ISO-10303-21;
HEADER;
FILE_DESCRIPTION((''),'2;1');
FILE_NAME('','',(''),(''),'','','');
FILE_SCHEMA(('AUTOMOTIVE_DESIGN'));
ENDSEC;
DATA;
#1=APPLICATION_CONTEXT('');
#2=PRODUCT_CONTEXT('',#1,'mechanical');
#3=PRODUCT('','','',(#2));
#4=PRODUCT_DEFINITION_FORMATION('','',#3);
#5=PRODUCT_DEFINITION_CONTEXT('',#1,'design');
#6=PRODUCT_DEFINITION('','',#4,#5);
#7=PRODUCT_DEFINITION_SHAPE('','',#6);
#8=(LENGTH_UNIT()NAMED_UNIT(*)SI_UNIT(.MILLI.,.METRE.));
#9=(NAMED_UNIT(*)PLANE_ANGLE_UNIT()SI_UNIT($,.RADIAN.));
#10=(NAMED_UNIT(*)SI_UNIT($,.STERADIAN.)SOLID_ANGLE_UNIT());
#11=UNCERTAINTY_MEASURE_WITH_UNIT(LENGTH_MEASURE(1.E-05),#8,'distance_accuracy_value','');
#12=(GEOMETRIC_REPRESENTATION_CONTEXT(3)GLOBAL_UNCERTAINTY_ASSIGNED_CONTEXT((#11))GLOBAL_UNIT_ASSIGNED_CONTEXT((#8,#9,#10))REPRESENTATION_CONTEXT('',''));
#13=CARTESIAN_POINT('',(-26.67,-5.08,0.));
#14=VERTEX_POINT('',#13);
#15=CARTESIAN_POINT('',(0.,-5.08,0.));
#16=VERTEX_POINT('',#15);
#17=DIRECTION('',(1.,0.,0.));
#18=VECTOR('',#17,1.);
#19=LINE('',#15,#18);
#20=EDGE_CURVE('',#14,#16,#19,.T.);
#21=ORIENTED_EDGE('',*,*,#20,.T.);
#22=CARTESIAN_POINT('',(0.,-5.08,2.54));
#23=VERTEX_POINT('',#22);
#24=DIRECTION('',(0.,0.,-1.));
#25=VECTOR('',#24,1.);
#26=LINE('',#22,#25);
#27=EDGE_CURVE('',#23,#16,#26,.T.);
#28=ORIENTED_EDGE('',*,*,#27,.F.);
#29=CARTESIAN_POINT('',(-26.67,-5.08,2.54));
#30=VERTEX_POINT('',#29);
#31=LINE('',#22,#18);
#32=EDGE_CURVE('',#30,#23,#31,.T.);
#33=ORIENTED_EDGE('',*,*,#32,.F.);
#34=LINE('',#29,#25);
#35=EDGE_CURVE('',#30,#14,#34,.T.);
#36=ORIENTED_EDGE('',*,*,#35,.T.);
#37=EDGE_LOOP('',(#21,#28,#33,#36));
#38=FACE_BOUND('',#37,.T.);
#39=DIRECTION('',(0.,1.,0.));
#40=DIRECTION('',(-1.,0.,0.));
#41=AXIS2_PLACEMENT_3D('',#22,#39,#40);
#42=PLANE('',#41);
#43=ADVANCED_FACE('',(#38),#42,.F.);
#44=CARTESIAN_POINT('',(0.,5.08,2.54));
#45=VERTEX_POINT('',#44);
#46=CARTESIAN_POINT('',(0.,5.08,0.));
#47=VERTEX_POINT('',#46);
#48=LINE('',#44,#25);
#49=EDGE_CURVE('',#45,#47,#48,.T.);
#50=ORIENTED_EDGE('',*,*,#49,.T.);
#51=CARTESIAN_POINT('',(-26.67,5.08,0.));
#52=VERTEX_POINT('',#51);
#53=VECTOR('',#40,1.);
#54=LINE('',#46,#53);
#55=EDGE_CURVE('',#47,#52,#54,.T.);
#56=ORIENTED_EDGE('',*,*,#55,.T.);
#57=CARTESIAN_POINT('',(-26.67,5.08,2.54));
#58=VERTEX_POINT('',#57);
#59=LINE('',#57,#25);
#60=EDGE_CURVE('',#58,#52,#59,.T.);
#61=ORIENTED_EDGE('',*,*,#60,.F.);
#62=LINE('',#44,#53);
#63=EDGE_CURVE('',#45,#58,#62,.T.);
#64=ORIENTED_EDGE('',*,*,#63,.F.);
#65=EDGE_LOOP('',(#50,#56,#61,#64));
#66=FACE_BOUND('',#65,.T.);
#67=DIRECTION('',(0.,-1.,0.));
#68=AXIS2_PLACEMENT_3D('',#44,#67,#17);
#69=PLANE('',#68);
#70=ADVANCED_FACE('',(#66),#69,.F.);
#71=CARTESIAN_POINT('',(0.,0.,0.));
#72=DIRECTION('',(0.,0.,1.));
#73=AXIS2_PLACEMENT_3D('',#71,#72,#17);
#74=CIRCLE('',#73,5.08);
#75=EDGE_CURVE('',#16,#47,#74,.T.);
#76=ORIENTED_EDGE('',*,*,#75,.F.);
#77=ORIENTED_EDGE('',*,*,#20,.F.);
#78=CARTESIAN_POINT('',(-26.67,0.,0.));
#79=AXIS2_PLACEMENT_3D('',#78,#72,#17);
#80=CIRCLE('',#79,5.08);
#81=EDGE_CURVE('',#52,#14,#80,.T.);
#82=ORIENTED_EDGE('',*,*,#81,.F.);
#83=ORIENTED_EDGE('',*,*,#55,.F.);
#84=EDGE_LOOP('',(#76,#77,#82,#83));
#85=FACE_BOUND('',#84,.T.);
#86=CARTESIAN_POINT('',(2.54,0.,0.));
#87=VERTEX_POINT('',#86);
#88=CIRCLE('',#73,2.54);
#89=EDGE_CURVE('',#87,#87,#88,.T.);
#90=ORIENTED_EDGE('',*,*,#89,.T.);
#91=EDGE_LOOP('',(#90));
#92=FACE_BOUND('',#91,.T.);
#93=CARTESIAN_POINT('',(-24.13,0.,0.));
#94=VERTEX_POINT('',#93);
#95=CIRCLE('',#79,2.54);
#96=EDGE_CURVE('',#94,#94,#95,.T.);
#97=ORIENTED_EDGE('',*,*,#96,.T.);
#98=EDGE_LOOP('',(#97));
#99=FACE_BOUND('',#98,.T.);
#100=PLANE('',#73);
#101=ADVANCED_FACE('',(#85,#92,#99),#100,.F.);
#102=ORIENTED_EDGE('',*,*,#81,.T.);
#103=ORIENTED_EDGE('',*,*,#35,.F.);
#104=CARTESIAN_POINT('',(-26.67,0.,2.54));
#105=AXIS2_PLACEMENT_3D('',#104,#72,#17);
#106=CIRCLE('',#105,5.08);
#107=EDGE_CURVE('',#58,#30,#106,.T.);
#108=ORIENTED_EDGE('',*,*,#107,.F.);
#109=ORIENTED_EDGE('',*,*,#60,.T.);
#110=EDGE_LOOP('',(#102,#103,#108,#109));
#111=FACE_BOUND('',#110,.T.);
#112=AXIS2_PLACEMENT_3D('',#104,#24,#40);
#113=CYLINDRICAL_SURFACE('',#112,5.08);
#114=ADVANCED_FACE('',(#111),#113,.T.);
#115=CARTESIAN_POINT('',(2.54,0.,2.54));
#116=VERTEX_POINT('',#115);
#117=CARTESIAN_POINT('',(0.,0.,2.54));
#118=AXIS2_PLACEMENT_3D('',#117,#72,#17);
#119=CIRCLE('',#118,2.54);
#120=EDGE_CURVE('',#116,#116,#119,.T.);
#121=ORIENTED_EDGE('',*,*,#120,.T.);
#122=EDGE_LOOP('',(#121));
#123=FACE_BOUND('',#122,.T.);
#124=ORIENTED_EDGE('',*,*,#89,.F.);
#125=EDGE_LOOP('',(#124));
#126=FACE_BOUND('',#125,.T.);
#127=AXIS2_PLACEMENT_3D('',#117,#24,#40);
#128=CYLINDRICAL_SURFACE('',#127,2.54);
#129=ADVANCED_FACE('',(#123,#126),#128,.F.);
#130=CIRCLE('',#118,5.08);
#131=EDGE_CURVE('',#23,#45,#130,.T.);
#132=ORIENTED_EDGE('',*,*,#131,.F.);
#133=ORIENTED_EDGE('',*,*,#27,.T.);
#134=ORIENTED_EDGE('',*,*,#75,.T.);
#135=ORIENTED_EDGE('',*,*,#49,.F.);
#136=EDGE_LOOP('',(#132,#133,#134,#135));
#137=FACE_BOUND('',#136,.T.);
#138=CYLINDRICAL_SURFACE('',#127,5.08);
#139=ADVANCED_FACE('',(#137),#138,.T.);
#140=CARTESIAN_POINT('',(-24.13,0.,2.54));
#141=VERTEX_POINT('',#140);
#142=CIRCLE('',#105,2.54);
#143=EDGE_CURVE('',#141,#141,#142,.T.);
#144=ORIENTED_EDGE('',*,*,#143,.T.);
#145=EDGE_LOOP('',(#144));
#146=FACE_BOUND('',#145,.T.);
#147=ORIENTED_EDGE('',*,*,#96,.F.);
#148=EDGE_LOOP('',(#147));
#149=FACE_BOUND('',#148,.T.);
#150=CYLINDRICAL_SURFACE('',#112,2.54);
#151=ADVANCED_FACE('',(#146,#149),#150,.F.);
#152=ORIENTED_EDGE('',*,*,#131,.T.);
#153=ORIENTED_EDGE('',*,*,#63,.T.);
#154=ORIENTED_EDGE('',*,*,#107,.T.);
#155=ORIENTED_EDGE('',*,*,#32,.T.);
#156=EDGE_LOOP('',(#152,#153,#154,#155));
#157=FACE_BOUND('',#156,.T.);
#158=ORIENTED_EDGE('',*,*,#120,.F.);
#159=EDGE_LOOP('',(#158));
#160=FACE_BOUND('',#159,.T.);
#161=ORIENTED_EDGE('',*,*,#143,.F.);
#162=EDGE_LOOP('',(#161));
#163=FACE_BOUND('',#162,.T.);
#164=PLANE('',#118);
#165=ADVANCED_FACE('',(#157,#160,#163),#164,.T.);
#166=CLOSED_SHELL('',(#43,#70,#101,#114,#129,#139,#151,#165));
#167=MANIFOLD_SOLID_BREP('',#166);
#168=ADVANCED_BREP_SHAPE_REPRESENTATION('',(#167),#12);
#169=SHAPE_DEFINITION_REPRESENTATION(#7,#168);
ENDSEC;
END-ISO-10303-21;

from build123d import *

# Parameters (mm, degrees)
SKETCH4_R           = 2.54
BOSS_EXTRUDE1_DEPTH = 2.54


with BuildPart() as part:
    # Sketch4 → Boss-Extrude1 (new body)
    with BuildSketch(Plane.XY):
        with BuildLine():
            Line((0, -5.08), (-26.67, -5.08))
            ThreePointArc((-26.67, -5.08), (-31.75, 0), (-26.67, 5.08))
            Line((-26.67, 5.08), (0, 5.08))
            ThreePointArc((0, 5.08), (5.08, 0), (0, -5.08))
        make_face()
        Circle(SKETCH4_R, mode=Mode.SUBTRACT)
        with Locations((-26.67, 0)):
            Circle(SKETCH4_R, mode=Mode.SUBTRACT)
    extrude(amount=BOSS_EXTRUDE1_DEPTH)


solid = part.part
